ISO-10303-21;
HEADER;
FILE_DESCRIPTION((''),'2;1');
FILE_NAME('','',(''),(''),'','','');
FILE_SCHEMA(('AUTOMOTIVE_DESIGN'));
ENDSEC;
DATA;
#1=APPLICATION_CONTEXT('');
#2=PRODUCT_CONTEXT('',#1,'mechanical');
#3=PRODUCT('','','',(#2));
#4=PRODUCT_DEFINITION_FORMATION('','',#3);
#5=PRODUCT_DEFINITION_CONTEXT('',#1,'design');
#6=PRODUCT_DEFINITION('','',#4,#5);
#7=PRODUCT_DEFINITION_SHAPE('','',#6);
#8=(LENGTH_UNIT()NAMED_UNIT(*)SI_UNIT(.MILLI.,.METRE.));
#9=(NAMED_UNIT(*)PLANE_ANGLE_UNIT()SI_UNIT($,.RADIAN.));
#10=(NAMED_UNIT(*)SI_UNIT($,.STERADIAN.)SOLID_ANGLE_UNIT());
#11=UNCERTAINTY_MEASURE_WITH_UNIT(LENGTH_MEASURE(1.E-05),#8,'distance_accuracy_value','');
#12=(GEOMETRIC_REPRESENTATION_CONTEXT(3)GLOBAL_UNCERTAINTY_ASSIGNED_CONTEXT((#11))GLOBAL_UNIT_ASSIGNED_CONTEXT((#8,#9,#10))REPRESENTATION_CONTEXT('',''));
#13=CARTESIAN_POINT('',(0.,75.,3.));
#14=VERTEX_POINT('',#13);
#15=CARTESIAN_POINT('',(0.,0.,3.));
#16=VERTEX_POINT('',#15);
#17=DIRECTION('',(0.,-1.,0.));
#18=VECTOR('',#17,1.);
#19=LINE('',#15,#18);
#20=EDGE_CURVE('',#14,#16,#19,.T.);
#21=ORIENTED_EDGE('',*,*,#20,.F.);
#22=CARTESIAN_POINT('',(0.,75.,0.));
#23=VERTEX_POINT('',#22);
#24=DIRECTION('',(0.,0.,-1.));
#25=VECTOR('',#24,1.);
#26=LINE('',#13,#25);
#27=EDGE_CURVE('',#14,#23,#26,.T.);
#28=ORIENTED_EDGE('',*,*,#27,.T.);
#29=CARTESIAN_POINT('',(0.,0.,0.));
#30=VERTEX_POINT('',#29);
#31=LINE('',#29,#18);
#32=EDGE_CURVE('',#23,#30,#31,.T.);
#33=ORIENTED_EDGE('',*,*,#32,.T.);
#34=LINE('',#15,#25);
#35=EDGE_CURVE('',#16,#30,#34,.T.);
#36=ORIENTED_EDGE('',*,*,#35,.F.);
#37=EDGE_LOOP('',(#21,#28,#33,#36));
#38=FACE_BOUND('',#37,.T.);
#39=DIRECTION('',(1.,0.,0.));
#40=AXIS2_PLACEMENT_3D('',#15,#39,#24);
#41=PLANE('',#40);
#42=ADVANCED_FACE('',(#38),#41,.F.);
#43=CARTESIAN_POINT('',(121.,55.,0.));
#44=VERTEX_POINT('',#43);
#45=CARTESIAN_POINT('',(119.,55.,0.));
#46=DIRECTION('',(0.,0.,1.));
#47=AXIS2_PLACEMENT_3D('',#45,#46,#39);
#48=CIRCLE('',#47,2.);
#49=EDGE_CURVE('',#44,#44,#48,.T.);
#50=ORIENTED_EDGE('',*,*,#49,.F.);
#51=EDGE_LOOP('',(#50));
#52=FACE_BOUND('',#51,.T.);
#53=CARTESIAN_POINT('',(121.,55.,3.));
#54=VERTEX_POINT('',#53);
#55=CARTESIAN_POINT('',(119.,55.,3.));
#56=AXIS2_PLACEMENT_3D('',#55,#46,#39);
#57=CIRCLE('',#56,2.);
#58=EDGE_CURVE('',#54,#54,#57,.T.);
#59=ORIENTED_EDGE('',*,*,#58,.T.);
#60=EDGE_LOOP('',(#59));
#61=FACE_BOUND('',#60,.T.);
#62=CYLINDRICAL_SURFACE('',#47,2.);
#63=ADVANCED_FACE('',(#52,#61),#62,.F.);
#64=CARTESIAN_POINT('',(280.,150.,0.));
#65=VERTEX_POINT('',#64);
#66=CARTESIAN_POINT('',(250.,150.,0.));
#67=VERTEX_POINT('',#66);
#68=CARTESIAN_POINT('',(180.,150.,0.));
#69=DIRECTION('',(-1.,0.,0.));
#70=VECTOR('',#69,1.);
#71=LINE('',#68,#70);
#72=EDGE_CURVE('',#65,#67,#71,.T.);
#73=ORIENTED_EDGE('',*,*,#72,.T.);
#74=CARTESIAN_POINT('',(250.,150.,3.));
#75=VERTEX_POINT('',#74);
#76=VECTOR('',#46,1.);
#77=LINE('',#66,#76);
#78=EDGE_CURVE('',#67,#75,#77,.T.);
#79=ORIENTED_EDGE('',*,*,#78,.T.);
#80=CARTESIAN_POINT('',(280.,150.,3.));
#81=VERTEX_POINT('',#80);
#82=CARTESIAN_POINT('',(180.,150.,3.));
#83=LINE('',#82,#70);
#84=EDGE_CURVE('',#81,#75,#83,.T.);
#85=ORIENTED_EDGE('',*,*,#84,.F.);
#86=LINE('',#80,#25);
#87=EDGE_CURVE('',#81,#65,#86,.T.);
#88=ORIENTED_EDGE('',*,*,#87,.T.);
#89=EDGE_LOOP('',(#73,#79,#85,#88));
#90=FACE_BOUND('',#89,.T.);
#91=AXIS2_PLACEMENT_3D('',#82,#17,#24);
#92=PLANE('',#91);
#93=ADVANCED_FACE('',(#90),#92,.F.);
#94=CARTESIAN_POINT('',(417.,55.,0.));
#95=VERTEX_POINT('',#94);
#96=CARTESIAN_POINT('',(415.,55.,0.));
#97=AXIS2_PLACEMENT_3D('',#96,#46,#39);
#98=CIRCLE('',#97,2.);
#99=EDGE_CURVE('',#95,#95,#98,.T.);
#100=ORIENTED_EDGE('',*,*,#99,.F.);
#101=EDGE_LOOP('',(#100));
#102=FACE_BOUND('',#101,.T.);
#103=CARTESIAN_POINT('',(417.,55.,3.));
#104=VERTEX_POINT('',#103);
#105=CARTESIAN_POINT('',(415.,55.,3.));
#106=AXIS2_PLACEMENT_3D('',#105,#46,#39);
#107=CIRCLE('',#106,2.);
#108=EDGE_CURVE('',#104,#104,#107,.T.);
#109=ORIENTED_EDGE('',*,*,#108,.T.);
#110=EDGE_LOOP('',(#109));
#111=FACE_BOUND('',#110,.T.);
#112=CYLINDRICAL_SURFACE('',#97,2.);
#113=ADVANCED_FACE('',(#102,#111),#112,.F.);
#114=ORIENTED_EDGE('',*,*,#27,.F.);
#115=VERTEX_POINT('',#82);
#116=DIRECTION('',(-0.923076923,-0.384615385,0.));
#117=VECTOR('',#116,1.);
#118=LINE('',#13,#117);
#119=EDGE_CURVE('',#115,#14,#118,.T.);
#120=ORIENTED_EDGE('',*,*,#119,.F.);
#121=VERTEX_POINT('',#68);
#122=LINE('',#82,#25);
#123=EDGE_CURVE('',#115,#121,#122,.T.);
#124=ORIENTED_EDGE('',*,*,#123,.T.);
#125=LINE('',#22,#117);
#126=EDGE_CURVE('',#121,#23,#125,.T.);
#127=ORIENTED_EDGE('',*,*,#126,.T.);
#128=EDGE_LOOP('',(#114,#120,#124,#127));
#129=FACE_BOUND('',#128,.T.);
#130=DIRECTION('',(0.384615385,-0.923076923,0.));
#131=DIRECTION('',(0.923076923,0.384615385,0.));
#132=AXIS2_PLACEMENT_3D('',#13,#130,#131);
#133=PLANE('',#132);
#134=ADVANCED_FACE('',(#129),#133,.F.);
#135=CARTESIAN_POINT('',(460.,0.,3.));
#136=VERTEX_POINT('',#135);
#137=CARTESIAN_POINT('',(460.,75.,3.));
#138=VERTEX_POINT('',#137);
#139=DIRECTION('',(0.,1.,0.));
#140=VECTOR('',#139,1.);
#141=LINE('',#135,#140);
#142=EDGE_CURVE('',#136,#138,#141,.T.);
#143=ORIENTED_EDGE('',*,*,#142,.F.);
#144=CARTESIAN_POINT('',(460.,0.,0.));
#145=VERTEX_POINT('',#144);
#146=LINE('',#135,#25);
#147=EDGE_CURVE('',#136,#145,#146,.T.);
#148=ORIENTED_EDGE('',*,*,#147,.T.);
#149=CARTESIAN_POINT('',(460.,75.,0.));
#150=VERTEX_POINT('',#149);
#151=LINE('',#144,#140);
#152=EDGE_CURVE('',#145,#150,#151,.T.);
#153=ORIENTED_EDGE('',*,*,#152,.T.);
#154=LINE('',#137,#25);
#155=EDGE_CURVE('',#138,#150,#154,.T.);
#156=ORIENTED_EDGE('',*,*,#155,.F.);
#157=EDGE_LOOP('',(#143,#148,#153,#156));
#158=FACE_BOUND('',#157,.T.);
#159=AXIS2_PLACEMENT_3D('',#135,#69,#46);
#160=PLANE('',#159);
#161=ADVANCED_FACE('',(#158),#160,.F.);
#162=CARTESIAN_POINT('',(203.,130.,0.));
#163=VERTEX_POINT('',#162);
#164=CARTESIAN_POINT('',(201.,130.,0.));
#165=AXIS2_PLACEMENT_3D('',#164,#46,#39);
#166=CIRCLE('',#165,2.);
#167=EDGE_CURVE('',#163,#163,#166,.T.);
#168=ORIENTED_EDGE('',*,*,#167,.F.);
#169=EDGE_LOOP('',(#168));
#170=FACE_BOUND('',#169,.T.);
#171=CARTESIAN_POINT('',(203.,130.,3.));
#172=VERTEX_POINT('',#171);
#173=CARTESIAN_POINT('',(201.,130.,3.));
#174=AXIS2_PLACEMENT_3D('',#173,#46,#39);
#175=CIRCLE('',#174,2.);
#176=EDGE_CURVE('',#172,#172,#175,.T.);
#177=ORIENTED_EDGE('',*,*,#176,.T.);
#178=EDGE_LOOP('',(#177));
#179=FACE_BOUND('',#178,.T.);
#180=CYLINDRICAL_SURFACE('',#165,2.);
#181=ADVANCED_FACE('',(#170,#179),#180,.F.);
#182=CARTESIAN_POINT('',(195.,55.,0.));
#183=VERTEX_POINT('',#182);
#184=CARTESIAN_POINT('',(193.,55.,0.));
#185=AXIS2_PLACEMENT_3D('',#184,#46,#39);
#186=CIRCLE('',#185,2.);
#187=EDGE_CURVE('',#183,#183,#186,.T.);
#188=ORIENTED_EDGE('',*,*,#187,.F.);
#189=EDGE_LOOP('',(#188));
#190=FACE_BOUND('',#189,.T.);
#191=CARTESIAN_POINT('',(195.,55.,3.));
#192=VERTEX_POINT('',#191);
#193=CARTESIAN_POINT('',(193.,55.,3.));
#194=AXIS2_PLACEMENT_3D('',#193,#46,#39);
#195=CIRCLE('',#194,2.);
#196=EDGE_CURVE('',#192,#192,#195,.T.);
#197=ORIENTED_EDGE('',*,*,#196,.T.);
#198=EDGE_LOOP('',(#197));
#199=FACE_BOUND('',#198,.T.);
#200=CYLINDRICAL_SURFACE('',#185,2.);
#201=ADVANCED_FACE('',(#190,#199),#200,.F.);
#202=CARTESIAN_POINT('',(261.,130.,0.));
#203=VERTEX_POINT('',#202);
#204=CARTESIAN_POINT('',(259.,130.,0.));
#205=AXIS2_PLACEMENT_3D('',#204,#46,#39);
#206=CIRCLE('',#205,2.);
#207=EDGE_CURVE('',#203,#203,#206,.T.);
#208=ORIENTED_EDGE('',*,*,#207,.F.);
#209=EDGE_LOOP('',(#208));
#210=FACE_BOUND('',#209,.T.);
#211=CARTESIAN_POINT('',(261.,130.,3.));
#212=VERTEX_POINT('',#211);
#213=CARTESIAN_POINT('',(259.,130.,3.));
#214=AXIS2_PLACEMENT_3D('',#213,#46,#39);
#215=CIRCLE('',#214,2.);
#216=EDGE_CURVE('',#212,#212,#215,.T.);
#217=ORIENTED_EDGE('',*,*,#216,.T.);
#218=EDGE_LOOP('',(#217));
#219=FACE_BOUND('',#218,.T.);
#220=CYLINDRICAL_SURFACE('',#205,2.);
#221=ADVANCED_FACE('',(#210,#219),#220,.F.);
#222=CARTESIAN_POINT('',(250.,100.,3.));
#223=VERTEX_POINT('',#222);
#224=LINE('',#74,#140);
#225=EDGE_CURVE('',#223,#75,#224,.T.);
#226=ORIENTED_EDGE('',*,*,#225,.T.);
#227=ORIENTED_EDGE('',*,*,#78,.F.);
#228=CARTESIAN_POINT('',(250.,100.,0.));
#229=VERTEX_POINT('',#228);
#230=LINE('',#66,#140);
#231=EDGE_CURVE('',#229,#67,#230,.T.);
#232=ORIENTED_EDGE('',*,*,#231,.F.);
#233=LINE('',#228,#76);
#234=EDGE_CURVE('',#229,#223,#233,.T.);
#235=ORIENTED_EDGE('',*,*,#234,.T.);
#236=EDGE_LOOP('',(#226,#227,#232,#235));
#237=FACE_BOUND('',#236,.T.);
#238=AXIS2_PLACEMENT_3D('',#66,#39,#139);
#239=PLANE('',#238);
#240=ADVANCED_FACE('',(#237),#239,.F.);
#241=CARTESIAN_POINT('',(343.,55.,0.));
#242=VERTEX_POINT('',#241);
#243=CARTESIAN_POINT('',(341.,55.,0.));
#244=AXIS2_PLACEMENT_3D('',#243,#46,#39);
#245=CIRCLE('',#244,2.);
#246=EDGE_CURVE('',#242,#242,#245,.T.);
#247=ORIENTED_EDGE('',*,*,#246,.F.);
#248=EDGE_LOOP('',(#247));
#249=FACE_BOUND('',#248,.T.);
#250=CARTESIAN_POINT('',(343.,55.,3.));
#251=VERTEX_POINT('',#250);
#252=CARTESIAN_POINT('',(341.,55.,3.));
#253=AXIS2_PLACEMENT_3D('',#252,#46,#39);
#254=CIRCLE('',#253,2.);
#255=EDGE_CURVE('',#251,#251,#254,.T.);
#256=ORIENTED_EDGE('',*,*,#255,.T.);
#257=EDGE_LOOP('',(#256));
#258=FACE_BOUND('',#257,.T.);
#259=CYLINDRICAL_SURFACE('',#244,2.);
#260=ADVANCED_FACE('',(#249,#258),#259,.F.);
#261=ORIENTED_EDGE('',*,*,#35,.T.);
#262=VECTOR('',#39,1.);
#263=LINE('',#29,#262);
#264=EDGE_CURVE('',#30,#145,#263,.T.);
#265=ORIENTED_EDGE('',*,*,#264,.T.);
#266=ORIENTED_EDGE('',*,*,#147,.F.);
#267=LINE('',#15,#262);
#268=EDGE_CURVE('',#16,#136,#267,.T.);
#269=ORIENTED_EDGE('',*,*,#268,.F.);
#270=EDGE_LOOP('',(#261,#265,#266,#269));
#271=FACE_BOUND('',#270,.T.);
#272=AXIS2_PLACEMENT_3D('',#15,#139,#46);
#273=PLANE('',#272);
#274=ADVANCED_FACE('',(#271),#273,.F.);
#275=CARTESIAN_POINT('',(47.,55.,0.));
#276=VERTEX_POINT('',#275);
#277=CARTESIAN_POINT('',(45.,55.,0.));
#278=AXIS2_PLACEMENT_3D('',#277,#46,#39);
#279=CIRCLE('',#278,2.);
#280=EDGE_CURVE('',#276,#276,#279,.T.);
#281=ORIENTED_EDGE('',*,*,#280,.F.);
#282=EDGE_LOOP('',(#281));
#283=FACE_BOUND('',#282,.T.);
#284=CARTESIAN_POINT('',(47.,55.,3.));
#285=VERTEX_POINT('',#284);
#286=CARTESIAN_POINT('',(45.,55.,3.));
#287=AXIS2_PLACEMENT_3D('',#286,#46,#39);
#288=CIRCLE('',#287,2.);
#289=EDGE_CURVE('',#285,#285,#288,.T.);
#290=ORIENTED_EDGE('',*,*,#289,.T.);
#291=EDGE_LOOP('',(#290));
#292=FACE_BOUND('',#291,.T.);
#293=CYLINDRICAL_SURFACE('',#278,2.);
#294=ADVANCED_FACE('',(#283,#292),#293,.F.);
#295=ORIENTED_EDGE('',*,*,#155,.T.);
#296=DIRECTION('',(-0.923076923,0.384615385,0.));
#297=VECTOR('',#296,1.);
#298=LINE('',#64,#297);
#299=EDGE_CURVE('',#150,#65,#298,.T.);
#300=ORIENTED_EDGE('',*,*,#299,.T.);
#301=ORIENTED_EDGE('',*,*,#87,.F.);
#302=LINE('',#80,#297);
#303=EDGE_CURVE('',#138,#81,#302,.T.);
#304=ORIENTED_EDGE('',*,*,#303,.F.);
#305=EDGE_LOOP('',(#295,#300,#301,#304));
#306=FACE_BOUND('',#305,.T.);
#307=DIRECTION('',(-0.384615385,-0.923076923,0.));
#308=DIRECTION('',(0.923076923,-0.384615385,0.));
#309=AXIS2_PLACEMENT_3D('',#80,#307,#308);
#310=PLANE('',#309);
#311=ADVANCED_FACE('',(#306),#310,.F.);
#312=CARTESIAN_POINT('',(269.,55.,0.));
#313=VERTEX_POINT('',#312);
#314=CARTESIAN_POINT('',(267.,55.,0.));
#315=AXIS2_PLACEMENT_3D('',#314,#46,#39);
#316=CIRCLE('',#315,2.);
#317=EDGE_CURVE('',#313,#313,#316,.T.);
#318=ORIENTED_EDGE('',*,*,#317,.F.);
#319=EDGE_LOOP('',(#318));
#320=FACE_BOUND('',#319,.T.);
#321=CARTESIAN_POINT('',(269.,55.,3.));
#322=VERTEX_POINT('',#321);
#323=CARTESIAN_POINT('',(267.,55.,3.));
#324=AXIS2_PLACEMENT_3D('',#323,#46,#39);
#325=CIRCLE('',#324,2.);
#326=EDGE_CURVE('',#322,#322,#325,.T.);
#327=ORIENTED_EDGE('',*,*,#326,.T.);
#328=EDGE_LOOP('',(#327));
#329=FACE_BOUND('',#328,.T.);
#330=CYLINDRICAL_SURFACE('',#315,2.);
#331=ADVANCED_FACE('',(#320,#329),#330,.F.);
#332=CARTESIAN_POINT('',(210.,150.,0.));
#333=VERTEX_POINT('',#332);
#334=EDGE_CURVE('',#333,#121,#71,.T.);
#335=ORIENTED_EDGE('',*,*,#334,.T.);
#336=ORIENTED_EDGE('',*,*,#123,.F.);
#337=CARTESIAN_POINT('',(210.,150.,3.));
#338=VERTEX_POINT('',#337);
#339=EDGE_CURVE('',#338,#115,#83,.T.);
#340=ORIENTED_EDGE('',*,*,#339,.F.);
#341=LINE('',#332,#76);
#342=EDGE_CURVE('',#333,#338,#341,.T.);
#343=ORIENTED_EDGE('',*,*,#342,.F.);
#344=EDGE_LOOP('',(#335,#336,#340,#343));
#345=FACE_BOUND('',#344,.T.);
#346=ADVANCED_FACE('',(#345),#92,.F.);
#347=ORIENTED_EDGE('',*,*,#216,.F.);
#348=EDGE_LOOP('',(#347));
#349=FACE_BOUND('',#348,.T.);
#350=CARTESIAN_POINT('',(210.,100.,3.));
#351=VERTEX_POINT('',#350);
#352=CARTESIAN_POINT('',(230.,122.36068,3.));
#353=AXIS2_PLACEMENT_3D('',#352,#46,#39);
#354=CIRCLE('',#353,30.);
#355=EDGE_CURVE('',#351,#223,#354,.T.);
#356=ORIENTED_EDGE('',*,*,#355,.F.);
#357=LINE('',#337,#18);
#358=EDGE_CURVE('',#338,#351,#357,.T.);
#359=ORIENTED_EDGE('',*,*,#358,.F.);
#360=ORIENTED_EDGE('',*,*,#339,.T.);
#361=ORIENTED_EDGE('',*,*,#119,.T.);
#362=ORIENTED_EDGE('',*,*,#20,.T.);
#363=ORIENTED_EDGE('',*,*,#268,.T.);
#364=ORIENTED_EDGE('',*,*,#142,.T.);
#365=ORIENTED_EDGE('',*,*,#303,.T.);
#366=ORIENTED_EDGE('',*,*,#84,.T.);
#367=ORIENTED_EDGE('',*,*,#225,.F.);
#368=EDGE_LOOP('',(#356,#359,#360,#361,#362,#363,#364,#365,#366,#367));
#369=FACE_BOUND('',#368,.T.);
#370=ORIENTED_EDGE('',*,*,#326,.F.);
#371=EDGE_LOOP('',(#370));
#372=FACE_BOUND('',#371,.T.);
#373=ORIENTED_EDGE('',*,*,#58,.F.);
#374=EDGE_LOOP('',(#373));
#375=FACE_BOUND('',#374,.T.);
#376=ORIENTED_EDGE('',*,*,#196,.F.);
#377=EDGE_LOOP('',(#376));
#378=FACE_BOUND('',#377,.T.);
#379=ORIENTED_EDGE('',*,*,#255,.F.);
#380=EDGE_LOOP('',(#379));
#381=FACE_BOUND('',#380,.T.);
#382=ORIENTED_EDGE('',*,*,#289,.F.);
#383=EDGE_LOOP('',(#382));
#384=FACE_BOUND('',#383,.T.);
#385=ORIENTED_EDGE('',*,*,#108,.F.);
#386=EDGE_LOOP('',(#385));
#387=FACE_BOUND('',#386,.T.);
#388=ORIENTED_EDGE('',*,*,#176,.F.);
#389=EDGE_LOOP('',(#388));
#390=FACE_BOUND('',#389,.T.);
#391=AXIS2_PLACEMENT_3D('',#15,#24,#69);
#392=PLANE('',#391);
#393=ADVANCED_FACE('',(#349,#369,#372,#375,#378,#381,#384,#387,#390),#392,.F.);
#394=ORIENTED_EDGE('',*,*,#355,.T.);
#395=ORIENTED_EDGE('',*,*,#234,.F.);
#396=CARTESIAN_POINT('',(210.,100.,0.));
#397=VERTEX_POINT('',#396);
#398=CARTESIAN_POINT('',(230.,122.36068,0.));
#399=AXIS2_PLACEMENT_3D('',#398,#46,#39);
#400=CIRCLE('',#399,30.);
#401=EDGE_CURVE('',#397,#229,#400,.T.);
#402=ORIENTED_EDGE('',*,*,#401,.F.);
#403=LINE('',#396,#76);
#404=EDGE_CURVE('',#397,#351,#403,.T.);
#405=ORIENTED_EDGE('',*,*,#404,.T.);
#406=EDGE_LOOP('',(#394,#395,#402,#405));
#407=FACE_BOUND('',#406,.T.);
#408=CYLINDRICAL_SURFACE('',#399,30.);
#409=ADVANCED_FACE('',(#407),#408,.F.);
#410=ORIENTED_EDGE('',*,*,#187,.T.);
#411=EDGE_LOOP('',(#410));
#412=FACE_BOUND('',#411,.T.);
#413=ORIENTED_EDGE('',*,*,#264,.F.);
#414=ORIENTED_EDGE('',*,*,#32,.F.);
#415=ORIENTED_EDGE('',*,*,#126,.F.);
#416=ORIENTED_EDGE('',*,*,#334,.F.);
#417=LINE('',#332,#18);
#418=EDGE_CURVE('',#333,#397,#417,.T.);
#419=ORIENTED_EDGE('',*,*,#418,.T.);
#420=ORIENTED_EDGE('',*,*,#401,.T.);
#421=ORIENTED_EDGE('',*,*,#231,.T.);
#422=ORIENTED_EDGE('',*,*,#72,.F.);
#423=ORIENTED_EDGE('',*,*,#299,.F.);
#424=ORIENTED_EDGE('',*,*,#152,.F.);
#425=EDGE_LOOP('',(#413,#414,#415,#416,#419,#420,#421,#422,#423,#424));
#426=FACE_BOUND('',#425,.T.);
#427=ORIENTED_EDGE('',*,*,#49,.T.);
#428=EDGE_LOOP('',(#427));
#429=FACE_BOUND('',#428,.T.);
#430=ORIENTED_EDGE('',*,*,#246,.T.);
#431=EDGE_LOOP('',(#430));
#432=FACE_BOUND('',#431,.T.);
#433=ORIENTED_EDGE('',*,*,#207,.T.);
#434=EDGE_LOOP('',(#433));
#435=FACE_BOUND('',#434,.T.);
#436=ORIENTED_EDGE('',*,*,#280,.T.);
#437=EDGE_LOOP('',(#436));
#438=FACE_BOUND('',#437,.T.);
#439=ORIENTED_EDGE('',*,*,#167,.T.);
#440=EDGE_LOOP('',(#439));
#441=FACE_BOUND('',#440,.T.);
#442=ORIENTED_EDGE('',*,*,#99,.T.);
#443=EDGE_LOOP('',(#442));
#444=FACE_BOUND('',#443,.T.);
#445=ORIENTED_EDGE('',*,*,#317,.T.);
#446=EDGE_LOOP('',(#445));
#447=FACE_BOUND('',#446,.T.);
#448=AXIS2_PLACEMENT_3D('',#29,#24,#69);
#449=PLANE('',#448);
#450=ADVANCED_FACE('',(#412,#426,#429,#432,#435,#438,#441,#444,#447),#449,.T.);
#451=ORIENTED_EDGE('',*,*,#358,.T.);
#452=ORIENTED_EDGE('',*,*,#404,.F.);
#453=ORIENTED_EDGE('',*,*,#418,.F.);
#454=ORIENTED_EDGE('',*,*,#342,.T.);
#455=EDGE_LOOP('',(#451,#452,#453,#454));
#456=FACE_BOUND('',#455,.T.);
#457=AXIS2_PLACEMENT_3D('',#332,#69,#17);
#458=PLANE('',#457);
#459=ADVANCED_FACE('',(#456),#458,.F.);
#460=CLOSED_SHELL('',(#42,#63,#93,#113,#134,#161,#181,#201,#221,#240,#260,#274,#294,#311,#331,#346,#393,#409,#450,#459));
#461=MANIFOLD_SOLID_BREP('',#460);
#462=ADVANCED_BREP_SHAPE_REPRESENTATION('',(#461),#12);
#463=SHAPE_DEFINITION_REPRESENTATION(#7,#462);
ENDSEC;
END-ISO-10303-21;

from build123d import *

# Parameters (mm, degrees)
Y_KSEKLIK_EKSTR_ZYON1_DEPTH = 3
IZIM2_R                     = 2
KES_EKSTR_ZYON1_DEPTH       = 3


with BuildPart() as part:
    # Çizim1 → Yükseklik-Ekstrüzyon1 (new body)
    with BuildSketch(Plane.XY):
        Polygon((0, 0), (460, 0), (460, 75), (280, 150), (180, 150), (0, 75), align=None)
    extrude(amount=Y_KSEKLIK_EKSTR_ZYON1_DEPTH)

    # Çizim2 → Kes-Ekstrüzyon1 (cut)
    with BuildSketch(Plane.XY.offset(3)):
        with Locations((45, 55)):
            Circle(IZIM2_R)
        with Locations((119, 55)):
            Circle(IZIM2_R)
        with Locations((193, 55)):
            Circle(IZIM2_R)
        with Locations((267, 55)):
            Circle(IZIM2_R)
        with Locations((341, 55)):
            Circle(IZIM2_R)
        with Locations((415, 55)):
            Circle(IZIM2_R)
        with Locations((201, 130)):
            Circle(IZIM2_R)
        with Locations((259, 130)):
            Circle(IZIM2_R)
        with BuildLine():
            Line((210, 150), (250, 150))
            Line((250, 150), (250, 100))
            ThreePointArc((250, 100), (230, 92.360679775), (210, 100))
            Line((210, 100), (210, 150))
        make_face()
    extrude(amount=-KES_EKSTR_ZYON1_DEPTH, mode=Mode.SUBTRACT)


solid = part.part
